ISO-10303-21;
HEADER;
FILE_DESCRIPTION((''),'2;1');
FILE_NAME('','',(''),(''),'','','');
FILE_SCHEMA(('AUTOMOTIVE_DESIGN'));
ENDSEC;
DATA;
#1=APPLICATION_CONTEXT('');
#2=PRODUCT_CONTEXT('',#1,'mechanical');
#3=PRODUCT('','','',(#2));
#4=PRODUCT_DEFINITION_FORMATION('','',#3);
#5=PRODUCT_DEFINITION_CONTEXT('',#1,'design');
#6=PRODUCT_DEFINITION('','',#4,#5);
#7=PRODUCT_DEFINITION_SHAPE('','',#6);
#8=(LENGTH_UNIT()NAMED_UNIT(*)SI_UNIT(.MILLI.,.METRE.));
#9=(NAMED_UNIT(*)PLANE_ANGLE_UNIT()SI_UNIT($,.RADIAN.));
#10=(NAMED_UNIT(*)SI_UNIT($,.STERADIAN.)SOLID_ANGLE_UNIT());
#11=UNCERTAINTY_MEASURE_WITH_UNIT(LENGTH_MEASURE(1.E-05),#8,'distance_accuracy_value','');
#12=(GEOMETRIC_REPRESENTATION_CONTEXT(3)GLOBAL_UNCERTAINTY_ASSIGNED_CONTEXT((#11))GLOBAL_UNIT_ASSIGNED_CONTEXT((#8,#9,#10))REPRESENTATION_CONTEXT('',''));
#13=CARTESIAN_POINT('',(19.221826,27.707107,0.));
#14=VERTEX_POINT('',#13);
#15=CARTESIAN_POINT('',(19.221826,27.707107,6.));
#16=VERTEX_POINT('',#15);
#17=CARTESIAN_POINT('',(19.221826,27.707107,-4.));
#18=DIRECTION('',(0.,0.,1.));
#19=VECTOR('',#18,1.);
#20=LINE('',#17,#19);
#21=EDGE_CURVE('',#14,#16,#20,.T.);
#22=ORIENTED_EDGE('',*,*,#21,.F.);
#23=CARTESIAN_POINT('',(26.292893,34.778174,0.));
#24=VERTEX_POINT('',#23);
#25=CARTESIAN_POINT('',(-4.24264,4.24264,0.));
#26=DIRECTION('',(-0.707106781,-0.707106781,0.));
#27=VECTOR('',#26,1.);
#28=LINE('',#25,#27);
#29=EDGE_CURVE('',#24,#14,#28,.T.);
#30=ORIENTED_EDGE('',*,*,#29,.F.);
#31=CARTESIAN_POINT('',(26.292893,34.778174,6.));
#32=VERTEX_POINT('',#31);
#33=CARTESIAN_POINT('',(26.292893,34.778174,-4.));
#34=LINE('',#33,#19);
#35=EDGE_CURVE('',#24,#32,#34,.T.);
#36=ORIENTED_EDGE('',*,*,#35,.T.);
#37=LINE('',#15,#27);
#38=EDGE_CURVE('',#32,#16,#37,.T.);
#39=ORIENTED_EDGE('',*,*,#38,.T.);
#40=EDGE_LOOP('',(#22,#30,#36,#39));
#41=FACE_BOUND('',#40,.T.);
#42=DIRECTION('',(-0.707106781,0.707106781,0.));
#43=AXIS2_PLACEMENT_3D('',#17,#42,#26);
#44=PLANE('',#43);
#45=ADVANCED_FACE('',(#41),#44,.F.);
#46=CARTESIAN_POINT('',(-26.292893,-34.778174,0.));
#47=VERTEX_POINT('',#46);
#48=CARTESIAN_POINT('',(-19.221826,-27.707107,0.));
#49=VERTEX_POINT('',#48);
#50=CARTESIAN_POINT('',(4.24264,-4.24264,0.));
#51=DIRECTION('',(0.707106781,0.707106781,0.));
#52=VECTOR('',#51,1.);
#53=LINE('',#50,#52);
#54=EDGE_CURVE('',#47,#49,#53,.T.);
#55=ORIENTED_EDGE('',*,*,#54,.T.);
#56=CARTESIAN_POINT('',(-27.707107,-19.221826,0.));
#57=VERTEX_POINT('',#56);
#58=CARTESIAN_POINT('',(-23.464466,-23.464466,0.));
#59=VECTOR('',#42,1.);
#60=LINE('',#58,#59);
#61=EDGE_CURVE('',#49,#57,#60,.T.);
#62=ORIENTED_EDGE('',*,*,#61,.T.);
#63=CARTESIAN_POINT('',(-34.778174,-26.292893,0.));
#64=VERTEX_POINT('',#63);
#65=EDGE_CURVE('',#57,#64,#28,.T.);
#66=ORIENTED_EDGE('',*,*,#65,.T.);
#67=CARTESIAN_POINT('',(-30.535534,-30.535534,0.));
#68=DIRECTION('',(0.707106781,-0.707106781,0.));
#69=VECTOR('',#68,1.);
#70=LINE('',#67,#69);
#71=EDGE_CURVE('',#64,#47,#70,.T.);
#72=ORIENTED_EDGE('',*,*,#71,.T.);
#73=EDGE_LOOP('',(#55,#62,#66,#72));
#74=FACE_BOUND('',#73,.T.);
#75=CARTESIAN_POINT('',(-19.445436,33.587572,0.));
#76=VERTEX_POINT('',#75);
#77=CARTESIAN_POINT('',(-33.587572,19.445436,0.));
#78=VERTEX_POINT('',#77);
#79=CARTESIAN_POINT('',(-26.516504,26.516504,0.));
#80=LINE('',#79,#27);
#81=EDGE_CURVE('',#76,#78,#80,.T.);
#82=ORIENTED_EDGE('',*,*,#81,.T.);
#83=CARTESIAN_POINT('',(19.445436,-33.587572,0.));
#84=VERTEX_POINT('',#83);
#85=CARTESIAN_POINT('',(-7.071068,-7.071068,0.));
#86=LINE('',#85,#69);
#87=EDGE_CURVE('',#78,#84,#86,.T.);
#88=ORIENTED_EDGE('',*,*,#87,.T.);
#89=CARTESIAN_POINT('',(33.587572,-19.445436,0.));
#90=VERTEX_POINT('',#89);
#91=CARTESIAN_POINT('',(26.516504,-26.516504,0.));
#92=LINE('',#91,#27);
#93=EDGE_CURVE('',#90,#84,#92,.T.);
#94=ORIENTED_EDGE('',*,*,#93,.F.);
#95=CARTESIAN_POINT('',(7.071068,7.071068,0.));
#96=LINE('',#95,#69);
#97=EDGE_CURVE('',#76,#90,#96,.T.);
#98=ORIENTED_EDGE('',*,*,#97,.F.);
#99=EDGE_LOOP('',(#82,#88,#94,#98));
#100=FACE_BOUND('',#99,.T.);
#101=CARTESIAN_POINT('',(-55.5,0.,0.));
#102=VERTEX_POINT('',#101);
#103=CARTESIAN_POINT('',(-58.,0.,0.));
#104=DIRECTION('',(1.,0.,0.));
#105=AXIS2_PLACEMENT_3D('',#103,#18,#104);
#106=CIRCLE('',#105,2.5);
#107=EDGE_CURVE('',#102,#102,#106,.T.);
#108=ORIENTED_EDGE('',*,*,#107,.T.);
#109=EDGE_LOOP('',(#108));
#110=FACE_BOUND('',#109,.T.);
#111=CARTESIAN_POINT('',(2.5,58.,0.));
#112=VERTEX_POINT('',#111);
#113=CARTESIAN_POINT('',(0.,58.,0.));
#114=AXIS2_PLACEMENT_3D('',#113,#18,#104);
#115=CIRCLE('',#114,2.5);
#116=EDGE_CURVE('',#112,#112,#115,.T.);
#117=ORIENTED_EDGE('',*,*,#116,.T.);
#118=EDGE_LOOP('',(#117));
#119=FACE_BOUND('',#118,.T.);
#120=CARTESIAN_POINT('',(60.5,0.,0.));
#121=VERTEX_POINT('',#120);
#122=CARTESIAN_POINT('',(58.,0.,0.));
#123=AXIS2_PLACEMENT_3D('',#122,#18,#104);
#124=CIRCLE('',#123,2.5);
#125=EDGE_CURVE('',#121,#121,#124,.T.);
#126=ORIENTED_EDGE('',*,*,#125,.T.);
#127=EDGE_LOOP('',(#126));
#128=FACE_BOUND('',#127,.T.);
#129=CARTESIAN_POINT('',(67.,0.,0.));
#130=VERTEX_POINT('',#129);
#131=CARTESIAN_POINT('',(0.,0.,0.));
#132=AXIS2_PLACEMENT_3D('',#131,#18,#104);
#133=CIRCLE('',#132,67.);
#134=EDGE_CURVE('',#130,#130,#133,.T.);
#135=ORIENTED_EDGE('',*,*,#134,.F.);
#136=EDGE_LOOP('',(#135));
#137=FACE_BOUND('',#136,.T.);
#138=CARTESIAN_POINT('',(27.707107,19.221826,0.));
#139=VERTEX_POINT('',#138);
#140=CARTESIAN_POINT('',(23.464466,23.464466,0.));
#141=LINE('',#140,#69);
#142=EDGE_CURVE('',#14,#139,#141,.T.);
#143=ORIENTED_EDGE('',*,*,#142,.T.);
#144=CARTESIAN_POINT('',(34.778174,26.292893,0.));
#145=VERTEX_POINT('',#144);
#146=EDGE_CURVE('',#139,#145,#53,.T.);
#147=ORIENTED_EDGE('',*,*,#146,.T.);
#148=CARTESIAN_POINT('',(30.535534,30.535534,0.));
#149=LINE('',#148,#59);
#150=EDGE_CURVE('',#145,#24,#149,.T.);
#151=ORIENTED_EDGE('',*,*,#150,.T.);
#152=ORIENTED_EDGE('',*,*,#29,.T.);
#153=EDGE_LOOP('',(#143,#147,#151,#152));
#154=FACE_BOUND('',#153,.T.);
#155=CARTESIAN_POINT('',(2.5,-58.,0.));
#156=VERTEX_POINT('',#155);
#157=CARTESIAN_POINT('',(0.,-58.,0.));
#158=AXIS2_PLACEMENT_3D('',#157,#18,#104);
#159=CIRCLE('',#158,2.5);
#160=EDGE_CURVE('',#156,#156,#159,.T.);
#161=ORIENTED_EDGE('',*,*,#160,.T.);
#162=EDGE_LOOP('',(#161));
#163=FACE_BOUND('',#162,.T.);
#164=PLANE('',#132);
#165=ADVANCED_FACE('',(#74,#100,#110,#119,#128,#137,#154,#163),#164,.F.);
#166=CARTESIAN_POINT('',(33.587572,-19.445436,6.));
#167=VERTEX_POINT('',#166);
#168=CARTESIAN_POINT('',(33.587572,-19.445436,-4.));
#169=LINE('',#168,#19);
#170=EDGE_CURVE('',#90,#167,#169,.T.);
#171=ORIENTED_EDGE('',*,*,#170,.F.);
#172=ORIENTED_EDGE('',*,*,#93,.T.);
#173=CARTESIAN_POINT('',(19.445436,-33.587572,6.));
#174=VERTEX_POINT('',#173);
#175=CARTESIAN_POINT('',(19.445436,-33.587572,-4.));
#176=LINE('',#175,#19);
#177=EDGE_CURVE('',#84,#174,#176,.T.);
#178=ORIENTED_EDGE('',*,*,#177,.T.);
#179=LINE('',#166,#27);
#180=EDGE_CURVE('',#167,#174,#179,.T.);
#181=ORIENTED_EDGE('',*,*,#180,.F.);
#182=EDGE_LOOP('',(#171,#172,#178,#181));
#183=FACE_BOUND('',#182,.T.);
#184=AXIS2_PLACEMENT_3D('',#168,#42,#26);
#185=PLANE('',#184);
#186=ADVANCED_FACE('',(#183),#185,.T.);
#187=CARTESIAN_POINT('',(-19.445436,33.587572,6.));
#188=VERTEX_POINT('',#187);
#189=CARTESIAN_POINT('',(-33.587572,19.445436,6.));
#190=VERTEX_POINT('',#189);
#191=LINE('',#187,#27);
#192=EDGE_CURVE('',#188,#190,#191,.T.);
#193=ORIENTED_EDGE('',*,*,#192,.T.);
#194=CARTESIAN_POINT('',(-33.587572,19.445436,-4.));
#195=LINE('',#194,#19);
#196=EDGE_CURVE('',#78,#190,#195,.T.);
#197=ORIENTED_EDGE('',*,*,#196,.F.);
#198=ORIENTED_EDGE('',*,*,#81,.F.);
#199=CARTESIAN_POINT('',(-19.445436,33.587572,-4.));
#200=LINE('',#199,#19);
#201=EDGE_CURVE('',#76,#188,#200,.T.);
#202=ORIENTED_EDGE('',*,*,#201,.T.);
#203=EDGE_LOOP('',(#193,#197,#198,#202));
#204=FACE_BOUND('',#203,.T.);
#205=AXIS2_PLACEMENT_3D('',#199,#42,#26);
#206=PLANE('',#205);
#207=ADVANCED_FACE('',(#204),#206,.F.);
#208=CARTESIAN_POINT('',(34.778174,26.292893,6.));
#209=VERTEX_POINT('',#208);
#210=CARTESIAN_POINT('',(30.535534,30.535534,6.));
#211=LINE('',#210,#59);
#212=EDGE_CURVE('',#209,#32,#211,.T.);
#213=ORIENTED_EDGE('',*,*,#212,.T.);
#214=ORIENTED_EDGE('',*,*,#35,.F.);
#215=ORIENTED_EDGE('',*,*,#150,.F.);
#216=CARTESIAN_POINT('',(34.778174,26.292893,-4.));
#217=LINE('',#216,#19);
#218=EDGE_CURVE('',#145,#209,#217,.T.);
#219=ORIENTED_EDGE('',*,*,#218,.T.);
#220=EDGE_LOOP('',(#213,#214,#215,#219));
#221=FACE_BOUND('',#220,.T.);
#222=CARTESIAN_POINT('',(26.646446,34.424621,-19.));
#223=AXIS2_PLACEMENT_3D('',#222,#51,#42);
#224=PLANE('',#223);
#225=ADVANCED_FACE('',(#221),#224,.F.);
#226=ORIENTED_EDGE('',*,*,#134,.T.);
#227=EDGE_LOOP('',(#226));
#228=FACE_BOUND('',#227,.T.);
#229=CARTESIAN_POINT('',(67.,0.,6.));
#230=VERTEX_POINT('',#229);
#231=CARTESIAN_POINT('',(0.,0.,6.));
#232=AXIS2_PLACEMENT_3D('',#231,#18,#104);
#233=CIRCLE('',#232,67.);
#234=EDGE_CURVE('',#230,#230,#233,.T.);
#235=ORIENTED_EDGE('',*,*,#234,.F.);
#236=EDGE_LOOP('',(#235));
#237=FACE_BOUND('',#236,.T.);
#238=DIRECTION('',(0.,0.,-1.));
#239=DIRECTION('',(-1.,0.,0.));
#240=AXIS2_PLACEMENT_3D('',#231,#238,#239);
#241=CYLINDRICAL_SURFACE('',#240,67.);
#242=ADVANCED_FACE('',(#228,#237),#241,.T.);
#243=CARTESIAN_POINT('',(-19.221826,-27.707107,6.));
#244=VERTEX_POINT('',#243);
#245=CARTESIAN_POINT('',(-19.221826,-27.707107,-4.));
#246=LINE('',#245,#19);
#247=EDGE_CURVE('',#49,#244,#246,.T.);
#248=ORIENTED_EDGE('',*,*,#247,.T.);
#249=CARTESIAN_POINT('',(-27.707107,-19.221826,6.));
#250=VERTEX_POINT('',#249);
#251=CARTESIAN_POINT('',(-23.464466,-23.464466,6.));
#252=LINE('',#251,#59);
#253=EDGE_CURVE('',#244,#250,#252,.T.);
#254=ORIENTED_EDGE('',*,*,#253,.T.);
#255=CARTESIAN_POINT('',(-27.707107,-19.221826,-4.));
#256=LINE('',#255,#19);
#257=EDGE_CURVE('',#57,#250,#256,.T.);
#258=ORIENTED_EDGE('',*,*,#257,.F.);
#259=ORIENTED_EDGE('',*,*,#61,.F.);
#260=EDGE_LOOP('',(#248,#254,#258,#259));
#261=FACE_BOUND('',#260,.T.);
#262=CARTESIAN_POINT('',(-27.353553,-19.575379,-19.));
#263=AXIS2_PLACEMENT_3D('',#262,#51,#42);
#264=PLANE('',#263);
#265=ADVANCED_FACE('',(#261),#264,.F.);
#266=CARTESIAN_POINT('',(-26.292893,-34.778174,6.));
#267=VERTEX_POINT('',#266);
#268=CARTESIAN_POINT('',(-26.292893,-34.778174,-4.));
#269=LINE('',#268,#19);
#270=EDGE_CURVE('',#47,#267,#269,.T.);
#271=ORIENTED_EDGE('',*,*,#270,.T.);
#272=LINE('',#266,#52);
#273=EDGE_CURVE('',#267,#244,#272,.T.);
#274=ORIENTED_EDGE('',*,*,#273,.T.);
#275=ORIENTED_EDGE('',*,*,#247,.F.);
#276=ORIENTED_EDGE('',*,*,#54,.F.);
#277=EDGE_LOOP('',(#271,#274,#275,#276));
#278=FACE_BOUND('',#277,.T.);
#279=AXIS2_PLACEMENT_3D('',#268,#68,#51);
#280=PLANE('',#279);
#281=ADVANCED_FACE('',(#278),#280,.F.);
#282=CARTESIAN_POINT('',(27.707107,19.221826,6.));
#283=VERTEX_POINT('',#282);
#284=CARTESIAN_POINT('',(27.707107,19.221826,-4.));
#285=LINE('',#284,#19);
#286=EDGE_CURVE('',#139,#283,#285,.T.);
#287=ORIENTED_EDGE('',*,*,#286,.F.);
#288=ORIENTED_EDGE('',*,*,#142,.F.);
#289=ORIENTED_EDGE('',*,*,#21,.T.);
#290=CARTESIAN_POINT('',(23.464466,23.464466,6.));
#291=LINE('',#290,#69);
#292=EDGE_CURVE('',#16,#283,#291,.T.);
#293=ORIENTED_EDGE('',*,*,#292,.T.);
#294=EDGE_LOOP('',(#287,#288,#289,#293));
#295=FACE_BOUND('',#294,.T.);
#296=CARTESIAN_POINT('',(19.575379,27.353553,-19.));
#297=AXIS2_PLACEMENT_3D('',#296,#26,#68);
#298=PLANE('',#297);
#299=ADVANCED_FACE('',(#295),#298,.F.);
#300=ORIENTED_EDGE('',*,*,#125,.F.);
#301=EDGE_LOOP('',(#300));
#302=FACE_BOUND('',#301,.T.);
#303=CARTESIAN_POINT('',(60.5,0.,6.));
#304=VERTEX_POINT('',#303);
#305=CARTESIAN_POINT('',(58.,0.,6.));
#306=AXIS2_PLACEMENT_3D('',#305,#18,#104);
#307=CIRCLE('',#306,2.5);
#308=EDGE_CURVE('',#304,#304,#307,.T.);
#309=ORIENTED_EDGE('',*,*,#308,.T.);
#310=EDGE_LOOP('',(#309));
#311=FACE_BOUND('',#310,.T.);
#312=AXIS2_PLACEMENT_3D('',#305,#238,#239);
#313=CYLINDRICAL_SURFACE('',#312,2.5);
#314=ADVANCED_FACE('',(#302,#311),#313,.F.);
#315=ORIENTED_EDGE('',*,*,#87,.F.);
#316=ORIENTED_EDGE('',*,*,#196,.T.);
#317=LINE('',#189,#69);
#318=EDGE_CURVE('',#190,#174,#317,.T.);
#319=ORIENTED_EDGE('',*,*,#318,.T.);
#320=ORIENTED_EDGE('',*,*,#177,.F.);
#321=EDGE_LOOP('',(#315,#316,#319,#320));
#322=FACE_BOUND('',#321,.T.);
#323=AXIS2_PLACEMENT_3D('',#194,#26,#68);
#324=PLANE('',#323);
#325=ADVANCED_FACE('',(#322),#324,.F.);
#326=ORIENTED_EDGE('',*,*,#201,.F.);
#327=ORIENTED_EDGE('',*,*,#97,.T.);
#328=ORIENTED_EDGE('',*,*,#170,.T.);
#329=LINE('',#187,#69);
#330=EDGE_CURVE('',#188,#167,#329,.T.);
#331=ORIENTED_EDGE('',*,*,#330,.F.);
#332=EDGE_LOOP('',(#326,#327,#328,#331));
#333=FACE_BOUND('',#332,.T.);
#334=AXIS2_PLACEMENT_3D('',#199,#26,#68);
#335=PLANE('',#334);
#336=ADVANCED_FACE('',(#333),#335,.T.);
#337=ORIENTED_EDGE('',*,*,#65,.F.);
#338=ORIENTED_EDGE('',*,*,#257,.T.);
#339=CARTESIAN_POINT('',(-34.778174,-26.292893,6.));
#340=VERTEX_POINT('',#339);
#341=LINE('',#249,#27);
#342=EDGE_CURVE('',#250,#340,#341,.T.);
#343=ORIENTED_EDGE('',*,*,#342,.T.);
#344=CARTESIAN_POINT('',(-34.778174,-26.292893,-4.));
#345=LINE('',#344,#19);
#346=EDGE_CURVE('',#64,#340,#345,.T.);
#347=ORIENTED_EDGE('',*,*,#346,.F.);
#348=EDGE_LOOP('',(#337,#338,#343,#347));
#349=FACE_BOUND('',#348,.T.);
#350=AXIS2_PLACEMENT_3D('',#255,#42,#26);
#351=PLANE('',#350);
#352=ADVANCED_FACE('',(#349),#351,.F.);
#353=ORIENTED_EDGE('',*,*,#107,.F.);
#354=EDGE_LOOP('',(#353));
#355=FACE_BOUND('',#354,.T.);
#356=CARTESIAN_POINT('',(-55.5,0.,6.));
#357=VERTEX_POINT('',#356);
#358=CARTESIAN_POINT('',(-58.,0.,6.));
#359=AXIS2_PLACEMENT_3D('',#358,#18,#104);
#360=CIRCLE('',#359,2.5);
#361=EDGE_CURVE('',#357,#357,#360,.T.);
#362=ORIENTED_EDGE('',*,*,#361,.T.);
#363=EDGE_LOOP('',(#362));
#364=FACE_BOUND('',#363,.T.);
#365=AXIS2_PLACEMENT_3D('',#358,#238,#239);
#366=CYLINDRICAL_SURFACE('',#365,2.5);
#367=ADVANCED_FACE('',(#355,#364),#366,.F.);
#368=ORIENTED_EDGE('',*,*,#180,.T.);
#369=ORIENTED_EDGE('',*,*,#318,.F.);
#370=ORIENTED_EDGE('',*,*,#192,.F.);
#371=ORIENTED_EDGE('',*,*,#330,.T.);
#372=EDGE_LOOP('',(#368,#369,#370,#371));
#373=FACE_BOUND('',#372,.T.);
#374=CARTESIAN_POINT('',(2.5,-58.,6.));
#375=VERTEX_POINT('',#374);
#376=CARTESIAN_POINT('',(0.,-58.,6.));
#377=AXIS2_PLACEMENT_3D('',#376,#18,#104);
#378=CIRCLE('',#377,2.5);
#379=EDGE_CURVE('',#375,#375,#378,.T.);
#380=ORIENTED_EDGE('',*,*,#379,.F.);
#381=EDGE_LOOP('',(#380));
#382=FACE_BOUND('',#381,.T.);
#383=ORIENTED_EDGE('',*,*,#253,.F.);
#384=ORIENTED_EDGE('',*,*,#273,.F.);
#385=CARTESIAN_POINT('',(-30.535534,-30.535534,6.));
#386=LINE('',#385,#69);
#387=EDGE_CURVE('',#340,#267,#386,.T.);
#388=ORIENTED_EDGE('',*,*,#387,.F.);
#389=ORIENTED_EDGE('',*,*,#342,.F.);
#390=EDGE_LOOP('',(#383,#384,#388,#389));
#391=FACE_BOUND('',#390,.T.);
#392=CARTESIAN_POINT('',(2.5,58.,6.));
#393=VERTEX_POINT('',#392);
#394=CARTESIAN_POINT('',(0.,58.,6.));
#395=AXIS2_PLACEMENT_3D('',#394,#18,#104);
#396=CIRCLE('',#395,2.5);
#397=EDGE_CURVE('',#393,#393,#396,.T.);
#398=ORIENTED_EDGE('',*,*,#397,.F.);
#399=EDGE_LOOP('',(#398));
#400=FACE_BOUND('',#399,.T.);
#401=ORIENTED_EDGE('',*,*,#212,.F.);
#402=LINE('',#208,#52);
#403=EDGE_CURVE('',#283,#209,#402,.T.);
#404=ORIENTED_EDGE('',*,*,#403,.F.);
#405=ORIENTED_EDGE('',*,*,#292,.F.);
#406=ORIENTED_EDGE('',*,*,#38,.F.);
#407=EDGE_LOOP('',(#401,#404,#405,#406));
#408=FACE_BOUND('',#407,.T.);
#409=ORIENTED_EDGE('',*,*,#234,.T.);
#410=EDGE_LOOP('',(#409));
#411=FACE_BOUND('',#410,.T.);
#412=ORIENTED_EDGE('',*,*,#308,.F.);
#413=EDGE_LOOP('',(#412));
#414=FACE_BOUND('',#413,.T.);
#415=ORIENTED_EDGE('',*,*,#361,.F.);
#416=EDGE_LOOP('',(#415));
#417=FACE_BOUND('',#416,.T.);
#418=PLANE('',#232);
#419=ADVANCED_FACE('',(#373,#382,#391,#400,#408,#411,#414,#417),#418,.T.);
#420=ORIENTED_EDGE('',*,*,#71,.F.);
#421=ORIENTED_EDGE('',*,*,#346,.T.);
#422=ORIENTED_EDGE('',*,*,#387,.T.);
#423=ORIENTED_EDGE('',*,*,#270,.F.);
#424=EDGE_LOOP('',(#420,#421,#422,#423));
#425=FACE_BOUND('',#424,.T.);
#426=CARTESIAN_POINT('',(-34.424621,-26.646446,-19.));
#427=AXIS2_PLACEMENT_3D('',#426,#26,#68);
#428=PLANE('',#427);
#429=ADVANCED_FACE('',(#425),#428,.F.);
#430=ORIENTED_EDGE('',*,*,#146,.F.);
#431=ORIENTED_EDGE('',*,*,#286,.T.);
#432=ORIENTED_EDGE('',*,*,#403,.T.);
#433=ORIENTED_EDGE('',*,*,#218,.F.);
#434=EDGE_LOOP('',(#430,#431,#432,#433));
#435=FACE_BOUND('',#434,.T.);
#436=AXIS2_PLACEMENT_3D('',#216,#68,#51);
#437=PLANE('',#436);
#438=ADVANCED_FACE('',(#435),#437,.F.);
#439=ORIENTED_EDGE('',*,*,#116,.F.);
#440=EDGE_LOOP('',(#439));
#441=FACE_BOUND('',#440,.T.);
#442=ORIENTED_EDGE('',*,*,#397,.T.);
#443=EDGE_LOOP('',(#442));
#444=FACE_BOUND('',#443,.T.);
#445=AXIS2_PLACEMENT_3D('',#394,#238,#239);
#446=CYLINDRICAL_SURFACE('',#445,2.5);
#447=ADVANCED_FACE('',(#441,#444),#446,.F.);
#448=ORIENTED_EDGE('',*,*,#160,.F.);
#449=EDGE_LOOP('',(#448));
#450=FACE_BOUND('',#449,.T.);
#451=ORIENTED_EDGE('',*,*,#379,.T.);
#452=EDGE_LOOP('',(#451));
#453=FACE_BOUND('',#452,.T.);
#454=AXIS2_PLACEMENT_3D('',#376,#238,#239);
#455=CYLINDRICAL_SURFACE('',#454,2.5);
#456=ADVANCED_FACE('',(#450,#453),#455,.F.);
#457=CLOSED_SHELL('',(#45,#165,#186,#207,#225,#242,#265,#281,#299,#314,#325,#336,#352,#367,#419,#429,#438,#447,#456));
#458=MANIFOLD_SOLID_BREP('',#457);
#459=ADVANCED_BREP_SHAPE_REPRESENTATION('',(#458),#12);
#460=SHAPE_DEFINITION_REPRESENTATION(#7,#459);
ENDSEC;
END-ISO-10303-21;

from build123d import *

# Parameters (mm, degrees)
SKETCH1_R               = 67
SKETCH1_R_2             = 2.5
BOSS_EXTRUDE1_DEPTH     = 6
CUT_EXTRUDE3_DEPTH      = 47
CUT_EXTRUDE3_DEPTH_BACK = 25
CUT_EXTRUDE6_DEPTH      = 10
CUT_EXTRUDE7_DEPTH      = 10


with BuildPart() as part:
    # Sketch1 → Boss-Extrude1 (new body)
    with BuildSketch(Plane.XY):
        Circle(SKETCH1_R)
        with Locations((0, 58)):
            Circle(SKETCH1_R_2, mode=Mode.SUBTRACT)
        with Locations((58, 0)):
            Circle(SKETCH1_R_2, mode=Mode.SUBTRACT)
        with Locations((0, -58)):
            Circle(SKETCH1_R_2, mode=Mode.SUBTRACT)
        with Locations((-58, 0)):
            Circle(SKETCH1_R_2, mode=Mode.SUBTRACT)
    extrude(amount=BOSS_EXTRUDE1_DEPTH)

    # Sketch3 → Cut-Extrude3 (cut, two sides: drawn at the far end of the back side and taken through both)
    with BuildSketch(Plane.XY.offset(6).offset(-CUT_EXTRUDE3_DEPTH_BACK)):
        Polygon((-34.424621456, -26.646446356), (-27.353553137, -19.575379051), (-19.575378544, -27.353553644), (-26.646446863, -34.424620949), align=None)
        Polygon((19.575379051, 27.353553137), (27.353553644, 19.575378544), (34.424620949, 26.646446863), (26.646446356, 34.424621456), align=None)
    extrude(amount=CUT_EXTRUDE3_DEPTH + CUT_EXTRUDE3_DEPTH_BACK, mode=Mode.SUBTRACT)

    # Sketch4 → Cut-Extrude6 (cut)
    with BuildSketch(Plane.XY.offset(6)):
        Polygon((-19.445436483, 33.587572106), (33.587572106, -19.445436483), (19.445436483, -33.587572106), (-33.587572106, 19.445436483), align=None)
    extrude(amount=-CUT_EXTRUDE6_DEPTH, mode=Mode.SUBTRACT)

    # Sketch5 → Cut-Extrude7 (cut)
    with BuildSketch(Plane.XY.offset(6)):
        Polygon((-34.424621456, -26.646446356), (-34.778174339, -26.292893473), (-27.707106527, -19.221825661), (-27.353553137, -19.575379051), align=None)
        Polygon((-26.646446863, -34.424620949), (-26.292893473, -34.778174339), (-19.221825661, -27.707106527), (-19.575378544, -27.353553644), align=None)
        Polygon((27.707106527, 19.221825661), (27.353553644, 19.575378544), (34.424620949, 26.646446863), (34.778174339, 26.292893473), align=None)
        Polygon((26.646446356, 34.424621456), (19.575379051, 27.353553137), (19.221825661, 27.707106527), (26.292893473, 34.778174339), align=None)
    extrude(amount=-CUT_EXTRUDE7_DEPTH, mode=Mode.SUBTRACT)


solid = part.part
